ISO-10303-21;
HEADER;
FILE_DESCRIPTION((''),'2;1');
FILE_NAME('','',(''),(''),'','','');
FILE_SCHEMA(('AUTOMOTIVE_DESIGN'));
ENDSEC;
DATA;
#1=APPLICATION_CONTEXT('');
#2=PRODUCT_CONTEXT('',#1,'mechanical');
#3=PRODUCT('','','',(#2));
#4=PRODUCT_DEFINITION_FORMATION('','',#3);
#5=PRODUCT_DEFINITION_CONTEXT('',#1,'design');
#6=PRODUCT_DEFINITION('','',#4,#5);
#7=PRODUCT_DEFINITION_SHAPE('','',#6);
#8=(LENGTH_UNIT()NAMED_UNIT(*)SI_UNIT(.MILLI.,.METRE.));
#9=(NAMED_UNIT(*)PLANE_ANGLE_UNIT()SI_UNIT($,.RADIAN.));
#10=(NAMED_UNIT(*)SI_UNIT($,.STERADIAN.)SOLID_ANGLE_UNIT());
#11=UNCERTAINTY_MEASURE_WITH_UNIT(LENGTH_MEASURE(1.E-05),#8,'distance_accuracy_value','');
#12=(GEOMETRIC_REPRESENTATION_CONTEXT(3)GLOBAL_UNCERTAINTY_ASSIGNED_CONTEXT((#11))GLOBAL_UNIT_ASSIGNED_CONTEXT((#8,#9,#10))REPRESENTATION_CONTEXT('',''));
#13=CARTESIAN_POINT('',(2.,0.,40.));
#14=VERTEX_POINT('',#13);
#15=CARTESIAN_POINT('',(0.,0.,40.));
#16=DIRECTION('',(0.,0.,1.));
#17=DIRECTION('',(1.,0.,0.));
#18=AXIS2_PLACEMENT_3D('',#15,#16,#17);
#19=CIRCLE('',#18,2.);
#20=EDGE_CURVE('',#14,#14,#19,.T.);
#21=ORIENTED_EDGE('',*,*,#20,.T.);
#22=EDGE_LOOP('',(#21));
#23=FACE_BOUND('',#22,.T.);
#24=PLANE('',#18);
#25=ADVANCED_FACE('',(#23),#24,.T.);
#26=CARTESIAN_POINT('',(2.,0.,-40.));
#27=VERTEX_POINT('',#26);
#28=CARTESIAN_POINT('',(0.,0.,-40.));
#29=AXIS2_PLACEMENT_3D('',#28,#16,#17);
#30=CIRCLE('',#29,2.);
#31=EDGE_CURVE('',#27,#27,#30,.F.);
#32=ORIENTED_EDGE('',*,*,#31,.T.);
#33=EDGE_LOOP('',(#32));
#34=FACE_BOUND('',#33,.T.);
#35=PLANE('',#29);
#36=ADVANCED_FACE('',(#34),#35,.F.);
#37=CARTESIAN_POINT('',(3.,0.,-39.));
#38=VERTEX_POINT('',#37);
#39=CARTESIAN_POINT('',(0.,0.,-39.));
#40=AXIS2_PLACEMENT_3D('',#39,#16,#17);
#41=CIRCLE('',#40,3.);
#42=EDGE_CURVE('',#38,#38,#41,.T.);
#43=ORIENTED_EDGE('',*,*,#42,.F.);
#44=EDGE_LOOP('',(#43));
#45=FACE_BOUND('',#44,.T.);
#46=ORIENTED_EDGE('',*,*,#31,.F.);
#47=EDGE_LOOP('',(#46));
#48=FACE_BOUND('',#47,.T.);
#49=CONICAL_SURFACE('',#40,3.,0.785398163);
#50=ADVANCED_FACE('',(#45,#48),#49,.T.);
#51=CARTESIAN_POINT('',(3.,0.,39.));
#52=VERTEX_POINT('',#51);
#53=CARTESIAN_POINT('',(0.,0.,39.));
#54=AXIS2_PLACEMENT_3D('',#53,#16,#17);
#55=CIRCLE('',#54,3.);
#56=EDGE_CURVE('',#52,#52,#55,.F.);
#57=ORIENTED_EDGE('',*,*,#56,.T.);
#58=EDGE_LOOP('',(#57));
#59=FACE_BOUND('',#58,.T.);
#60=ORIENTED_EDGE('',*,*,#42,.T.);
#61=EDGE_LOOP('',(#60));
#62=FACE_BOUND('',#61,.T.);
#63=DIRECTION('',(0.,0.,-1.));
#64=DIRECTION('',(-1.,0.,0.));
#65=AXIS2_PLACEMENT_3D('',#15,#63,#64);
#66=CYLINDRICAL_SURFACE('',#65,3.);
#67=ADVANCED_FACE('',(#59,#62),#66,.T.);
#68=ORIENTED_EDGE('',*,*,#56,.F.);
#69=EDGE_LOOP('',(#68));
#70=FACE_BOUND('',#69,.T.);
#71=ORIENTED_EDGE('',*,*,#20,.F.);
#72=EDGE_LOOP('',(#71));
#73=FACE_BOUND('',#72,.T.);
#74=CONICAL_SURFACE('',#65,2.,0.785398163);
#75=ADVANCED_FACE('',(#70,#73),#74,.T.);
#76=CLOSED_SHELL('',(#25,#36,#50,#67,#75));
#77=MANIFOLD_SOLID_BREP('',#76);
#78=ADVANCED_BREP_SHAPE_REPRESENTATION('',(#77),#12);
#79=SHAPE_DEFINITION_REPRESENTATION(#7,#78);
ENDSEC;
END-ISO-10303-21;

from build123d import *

# Parameters (mm, degrees)
SZKIC1_R                    = 3
DODANIE_WYCI_GNI_CIE1_DEPTH = 40
SFAZOWANIE1_SIZE            = 1


with BuildPart() as part:
    # Szkic1 → Dodanie-wyciągnięcie1 (new, symmetric)
    with BuildSketch(Plane.XY):
        Circle(SZKIC1_R)
    extrude(amount=DODANIE_WYCI_GNI_CIE1_DEPTH, both=True)

    # Sfazowanie1
    sfazowanie1_edges = [part.edges().sort_by_distance(p)[0] for p in [
        (-3, 0, -40),
        (-3, 0, 40),
    ]]
    chamfer(sfazowanie1_edges, length=SFAZOWANIE1_SIZE)


solid = part.part
